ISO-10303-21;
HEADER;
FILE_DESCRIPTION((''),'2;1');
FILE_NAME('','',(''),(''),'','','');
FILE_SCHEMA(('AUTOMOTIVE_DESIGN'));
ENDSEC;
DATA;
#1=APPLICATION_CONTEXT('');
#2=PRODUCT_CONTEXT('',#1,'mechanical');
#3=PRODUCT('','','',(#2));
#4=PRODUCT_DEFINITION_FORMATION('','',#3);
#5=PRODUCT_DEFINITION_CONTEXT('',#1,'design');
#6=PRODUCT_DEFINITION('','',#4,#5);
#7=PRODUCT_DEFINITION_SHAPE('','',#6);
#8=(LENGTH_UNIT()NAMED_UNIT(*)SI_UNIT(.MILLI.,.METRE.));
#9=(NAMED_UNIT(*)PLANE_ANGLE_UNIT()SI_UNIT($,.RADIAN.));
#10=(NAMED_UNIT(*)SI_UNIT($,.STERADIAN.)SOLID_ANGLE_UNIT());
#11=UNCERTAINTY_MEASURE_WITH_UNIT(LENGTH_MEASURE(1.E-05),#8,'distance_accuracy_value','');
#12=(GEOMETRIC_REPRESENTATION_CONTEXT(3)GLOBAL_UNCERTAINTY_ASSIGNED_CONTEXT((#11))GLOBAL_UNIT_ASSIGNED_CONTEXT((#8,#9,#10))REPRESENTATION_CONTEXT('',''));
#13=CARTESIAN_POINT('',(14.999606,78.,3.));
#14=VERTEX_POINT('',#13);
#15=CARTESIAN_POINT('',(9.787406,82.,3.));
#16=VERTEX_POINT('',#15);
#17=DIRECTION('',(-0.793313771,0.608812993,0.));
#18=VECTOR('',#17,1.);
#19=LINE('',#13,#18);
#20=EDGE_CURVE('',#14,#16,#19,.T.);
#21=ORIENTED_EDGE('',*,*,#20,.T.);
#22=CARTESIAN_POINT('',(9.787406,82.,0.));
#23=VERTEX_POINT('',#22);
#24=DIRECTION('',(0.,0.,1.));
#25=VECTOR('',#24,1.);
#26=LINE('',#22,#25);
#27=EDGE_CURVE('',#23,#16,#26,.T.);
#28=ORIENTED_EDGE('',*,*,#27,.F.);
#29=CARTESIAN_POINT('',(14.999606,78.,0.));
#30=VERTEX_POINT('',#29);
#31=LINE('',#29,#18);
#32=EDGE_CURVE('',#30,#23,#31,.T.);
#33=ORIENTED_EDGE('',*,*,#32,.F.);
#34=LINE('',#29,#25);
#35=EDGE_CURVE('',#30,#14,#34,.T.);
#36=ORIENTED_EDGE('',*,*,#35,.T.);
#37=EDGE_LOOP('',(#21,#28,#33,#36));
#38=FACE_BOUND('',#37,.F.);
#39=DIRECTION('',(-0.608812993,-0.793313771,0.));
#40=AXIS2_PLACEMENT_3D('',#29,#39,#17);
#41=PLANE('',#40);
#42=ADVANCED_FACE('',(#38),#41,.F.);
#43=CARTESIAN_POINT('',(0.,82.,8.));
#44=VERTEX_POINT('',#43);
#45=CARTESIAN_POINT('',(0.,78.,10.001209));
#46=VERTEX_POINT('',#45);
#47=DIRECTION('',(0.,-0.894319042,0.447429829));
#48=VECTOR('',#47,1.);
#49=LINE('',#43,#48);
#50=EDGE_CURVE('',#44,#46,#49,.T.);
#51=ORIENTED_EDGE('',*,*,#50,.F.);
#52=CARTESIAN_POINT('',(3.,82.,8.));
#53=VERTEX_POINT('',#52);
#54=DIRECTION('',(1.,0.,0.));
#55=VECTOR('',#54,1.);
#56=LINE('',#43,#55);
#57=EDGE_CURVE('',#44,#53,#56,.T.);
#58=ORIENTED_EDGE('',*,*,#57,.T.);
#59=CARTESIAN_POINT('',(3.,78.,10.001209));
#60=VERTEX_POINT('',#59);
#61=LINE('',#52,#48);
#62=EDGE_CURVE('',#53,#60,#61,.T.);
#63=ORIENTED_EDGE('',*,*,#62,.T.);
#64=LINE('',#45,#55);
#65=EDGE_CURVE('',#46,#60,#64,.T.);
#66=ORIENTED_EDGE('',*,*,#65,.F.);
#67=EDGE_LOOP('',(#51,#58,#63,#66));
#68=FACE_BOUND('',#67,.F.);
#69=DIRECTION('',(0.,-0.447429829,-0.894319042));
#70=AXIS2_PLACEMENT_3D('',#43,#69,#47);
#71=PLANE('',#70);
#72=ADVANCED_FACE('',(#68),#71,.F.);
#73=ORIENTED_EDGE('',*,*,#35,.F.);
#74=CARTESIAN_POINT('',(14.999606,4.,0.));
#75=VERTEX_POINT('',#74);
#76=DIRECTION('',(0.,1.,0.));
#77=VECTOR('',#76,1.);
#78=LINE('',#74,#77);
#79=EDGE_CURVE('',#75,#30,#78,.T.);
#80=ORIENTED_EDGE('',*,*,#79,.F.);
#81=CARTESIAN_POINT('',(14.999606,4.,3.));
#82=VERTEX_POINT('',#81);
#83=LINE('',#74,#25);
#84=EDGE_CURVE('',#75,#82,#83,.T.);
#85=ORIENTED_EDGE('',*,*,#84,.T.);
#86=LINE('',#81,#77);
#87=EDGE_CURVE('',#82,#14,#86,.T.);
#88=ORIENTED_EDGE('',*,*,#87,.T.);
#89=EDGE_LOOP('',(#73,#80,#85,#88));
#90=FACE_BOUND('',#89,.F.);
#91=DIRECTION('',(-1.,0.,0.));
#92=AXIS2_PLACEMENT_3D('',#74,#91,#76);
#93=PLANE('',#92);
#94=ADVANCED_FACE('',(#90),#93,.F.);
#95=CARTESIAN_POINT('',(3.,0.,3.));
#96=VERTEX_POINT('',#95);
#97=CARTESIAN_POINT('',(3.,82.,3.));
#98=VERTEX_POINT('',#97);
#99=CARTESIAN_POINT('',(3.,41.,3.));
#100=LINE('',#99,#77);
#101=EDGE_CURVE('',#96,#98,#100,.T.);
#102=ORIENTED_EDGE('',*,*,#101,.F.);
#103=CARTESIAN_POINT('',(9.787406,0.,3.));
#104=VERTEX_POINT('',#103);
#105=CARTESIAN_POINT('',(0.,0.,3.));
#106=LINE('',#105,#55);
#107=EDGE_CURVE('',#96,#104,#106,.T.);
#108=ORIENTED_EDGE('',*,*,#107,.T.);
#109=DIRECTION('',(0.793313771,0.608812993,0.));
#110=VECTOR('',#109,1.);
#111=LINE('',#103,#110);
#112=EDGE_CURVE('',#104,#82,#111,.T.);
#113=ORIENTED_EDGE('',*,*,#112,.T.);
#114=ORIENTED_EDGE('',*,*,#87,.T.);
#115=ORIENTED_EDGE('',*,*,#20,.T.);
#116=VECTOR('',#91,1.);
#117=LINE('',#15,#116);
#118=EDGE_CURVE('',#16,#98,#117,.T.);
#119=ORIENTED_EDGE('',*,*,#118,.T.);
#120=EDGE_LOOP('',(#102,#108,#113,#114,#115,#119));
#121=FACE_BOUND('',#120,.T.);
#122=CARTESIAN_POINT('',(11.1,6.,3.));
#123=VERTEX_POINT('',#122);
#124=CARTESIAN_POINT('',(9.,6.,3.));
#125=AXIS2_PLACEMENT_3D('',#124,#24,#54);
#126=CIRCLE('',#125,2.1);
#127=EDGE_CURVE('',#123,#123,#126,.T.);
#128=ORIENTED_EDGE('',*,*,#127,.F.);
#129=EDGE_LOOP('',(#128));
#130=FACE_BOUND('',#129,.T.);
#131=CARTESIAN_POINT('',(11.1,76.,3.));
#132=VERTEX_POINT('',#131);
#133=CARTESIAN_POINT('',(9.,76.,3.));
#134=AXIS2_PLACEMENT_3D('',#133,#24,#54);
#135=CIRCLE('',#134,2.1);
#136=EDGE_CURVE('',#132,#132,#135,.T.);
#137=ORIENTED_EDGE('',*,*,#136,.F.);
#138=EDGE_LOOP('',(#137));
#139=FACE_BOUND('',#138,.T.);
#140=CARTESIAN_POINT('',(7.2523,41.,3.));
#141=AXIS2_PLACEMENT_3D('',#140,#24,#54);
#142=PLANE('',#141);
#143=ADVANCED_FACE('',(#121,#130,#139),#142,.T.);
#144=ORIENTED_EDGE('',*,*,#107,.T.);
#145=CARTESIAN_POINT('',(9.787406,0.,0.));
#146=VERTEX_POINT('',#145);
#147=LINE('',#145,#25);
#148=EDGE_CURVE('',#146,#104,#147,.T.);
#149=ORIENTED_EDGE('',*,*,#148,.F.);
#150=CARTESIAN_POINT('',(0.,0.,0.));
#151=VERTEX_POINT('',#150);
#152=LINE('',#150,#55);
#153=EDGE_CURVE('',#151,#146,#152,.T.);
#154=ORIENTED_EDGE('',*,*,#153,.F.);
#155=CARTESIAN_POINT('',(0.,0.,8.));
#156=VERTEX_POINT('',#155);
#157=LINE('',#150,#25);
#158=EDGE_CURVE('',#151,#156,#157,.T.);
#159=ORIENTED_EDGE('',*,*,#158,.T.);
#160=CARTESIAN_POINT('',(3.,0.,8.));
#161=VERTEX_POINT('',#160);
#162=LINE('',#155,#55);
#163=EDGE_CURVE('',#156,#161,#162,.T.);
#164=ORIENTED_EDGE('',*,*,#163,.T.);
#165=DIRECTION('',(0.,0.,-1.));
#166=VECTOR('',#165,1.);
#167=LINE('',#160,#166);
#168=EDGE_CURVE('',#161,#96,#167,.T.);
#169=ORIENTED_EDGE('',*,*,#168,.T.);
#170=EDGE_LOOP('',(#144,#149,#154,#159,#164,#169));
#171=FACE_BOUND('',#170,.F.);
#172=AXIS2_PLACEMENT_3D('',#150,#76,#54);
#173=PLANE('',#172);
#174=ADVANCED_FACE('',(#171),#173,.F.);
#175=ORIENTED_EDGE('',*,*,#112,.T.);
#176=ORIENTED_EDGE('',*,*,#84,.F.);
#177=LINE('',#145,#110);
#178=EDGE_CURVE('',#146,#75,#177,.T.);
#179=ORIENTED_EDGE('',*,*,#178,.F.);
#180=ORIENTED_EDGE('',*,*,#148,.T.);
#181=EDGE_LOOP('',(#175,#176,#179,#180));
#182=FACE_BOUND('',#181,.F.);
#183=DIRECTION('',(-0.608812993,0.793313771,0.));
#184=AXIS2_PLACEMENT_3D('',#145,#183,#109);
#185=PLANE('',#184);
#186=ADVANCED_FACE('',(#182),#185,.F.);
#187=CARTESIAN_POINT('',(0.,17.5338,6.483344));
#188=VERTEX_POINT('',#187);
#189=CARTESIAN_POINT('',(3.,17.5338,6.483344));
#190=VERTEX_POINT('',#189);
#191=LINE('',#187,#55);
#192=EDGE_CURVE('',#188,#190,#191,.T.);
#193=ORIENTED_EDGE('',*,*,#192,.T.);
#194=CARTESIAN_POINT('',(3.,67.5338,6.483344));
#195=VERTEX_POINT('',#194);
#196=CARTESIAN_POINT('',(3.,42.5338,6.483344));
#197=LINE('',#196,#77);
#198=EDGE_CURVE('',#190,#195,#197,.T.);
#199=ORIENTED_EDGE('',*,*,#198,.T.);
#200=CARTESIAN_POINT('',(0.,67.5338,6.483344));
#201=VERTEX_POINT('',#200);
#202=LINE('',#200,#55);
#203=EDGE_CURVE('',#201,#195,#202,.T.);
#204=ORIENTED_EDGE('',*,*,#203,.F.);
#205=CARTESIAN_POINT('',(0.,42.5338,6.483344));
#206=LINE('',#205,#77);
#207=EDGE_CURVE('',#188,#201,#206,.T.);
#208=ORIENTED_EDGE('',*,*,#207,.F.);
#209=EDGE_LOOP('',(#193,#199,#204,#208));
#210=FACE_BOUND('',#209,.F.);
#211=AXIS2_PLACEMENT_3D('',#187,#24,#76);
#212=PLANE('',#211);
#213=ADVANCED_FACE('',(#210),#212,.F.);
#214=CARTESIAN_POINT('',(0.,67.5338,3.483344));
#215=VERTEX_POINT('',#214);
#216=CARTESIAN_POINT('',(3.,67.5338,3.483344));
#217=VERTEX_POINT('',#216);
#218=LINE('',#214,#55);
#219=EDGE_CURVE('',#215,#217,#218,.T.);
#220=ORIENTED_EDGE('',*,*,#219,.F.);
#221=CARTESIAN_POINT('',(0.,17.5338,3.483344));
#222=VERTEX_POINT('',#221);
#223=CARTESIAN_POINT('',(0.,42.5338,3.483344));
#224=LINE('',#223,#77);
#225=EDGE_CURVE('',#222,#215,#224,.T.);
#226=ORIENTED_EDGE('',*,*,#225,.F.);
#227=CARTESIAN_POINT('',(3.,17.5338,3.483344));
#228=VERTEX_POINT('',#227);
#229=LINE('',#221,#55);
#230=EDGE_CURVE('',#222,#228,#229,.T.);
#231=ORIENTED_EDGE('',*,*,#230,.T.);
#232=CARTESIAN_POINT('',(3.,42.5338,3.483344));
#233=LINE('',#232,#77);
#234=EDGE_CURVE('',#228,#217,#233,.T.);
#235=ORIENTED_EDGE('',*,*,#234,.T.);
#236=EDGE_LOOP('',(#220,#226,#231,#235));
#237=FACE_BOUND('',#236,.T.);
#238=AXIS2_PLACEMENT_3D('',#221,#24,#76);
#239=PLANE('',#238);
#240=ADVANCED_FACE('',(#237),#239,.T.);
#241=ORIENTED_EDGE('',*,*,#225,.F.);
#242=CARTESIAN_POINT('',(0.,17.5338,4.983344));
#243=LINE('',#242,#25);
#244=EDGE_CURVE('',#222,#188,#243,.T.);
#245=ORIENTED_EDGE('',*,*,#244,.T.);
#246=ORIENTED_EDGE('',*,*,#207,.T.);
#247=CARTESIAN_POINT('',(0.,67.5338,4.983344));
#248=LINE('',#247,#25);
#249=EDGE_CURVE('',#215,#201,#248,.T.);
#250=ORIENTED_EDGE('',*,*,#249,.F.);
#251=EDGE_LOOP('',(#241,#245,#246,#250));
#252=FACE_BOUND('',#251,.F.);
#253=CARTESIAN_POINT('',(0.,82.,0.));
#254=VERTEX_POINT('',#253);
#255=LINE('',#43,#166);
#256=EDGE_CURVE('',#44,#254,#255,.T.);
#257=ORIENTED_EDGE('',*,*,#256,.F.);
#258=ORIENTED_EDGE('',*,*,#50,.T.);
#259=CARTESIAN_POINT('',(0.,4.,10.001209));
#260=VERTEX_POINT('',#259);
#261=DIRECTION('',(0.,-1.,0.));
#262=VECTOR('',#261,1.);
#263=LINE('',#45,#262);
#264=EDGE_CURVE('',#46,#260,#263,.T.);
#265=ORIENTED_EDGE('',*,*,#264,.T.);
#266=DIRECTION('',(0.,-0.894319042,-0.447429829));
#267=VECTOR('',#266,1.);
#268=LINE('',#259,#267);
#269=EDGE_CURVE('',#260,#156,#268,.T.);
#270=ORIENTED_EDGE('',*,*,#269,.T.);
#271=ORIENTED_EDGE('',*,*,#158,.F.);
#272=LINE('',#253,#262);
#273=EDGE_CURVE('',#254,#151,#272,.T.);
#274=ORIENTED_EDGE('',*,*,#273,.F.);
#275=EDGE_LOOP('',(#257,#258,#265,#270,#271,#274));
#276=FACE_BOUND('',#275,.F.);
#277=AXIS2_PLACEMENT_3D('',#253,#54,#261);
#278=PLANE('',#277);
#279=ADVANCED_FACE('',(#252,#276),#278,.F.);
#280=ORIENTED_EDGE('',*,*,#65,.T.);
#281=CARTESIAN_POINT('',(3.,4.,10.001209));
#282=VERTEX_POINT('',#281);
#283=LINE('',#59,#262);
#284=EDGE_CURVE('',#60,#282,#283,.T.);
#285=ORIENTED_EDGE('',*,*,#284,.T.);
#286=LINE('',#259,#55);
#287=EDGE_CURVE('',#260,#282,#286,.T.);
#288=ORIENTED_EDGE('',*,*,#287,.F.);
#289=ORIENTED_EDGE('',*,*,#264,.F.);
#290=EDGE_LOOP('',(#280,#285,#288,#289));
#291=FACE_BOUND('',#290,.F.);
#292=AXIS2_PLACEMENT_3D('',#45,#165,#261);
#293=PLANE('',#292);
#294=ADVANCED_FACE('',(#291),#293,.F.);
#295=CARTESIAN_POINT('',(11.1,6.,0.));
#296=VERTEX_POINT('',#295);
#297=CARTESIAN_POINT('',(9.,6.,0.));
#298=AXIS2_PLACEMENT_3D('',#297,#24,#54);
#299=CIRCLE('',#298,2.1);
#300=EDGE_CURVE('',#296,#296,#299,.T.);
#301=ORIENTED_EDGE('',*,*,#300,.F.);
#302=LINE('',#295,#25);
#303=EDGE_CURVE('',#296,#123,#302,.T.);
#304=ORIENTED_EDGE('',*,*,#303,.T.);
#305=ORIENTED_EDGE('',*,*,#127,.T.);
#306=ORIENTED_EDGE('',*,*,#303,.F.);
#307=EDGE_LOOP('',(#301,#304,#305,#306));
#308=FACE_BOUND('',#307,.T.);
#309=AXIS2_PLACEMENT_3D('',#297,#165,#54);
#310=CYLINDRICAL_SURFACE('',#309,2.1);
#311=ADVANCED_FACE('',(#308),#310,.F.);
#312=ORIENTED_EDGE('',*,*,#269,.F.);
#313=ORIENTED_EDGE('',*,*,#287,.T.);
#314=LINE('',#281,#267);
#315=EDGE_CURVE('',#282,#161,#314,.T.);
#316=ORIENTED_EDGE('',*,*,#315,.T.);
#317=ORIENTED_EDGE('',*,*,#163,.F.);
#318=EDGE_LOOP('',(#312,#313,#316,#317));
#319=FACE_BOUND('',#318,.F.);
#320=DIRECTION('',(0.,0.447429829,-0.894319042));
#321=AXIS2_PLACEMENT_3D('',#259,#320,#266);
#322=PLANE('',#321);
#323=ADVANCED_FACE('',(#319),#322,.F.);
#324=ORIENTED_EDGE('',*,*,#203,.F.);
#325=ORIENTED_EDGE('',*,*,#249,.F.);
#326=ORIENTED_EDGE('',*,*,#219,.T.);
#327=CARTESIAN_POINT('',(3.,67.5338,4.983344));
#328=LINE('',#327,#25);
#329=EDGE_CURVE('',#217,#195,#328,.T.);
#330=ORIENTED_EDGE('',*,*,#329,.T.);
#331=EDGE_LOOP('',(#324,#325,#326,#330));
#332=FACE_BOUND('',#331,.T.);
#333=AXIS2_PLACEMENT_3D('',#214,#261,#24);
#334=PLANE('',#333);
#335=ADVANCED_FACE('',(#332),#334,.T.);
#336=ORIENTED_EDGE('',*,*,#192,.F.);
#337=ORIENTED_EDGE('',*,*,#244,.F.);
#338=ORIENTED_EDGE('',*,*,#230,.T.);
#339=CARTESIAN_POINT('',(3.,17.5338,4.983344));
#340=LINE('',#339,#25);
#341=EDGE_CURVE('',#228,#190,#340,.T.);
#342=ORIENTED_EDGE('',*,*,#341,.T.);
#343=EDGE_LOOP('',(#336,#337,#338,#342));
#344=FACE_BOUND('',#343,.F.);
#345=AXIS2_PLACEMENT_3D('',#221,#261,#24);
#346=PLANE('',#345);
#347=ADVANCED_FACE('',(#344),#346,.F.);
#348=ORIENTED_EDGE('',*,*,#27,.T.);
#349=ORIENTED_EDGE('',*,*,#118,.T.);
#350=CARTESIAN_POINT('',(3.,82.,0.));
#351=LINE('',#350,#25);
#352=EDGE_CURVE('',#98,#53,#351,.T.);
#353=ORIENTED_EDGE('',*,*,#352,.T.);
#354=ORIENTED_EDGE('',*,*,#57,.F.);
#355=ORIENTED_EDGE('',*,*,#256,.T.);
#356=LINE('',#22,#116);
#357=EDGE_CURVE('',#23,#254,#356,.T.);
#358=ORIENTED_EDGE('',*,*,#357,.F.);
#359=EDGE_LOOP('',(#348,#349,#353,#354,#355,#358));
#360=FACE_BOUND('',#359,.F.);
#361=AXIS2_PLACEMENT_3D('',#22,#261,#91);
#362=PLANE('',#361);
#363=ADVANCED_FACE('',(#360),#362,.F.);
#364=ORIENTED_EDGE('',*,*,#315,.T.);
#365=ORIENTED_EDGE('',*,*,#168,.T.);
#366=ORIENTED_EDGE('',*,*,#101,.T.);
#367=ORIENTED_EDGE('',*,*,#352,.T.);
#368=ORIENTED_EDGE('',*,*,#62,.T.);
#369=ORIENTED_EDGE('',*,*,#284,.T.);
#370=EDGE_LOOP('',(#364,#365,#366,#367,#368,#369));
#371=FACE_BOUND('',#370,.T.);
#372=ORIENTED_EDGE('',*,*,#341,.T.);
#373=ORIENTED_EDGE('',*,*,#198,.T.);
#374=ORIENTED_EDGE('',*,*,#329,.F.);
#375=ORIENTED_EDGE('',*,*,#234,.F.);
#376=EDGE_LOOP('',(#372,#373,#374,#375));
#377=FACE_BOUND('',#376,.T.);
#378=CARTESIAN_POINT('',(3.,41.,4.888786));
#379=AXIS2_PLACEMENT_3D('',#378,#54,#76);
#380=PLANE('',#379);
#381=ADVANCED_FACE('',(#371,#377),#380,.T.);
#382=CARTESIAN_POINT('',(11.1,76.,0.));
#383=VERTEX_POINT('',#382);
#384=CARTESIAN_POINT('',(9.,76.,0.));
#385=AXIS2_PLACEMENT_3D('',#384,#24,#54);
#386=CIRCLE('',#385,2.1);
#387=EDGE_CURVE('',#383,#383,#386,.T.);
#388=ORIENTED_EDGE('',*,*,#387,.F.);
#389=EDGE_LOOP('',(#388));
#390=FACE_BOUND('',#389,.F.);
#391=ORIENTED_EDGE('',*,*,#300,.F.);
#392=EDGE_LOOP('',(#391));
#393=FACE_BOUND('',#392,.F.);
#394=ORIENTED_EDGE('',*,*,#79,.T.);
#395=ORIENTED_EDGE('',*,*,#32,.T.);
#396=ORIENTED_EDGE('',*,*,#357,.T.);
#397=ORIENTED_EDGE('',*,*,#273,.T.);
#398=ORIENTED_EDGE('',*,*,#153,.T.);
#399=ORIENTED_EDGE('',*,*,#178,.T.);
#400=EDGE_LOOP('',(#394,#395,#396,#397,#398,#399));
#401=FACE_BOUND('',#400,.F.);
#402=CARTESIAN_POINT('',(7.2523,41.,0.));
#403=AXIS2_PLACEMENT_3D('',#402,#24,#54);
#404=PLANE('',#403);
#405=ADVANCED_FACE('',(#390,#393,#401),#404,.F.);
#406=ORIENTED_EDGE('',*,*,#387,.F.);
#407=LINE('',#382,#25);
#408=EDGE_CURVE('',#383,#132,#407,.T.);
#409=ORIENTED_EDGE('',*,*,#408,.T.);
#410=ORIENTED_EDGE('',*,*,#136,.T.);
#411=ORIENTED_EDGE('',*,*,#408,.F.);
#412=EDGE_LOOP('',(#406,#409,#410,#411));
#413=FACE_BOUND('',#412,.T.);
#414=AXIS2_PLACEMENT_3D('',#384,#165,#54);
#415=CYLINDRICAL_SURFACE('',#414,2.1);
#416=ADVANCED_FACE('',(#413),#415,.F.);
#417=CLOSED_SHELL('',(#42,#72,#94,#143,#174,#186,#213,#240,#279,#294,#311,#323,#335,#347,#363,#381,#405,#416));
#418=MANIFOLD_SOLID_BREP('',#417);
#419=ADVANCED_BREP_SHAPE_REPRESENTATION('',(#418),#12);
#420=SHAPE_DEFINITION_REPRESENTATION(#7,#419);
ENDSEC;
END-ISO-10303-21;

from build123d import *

# Parameters (mm, degrees)
SKETCH001_W  = 50
SKETCH001_H  = 3
PAD001_DEPTH = 3
SKETCH_R     = 2.1
PAD_DEPTH    = 3


with BuildPart() as pad001:
    # Sketch001 → Pad001 (new body)
    with BuildSketch(Plane.YZ):
        Polygon((0, 0), (82, 0), (82, 8), (78, 10.001209), (4, 10.001209), (0, 8), align=None)
        with Locations((42.5338, 4.983344)):
            Rectangle(SKETCH001_W, SKETCH001_H, mode=Mode.SUBTRACT)
    extrude(amount=PAD001_DEPTH)


with BuildPart() as fusion:
    # Sketch → Pad (new body)
    with BuildSketch(Plane.XY):
        Polygon((0, 82), (0, 0), (9.787406, 0), (14.999606, 4), (14.999606, 78), (9.787406, 82), align=None)
        with Locations((9, 6)):
            Circle(SKETCH_R, mode=Mode.SUBTRACT)
        with Locations((9, 76)):
            Circle(SKETCH_R, mode=Mode.SUBTRACT)
    extrude(amount=PAD_DEPTH)

    # Fusion: union Pad001
    add(pad001.part)


solid = fusion.part
